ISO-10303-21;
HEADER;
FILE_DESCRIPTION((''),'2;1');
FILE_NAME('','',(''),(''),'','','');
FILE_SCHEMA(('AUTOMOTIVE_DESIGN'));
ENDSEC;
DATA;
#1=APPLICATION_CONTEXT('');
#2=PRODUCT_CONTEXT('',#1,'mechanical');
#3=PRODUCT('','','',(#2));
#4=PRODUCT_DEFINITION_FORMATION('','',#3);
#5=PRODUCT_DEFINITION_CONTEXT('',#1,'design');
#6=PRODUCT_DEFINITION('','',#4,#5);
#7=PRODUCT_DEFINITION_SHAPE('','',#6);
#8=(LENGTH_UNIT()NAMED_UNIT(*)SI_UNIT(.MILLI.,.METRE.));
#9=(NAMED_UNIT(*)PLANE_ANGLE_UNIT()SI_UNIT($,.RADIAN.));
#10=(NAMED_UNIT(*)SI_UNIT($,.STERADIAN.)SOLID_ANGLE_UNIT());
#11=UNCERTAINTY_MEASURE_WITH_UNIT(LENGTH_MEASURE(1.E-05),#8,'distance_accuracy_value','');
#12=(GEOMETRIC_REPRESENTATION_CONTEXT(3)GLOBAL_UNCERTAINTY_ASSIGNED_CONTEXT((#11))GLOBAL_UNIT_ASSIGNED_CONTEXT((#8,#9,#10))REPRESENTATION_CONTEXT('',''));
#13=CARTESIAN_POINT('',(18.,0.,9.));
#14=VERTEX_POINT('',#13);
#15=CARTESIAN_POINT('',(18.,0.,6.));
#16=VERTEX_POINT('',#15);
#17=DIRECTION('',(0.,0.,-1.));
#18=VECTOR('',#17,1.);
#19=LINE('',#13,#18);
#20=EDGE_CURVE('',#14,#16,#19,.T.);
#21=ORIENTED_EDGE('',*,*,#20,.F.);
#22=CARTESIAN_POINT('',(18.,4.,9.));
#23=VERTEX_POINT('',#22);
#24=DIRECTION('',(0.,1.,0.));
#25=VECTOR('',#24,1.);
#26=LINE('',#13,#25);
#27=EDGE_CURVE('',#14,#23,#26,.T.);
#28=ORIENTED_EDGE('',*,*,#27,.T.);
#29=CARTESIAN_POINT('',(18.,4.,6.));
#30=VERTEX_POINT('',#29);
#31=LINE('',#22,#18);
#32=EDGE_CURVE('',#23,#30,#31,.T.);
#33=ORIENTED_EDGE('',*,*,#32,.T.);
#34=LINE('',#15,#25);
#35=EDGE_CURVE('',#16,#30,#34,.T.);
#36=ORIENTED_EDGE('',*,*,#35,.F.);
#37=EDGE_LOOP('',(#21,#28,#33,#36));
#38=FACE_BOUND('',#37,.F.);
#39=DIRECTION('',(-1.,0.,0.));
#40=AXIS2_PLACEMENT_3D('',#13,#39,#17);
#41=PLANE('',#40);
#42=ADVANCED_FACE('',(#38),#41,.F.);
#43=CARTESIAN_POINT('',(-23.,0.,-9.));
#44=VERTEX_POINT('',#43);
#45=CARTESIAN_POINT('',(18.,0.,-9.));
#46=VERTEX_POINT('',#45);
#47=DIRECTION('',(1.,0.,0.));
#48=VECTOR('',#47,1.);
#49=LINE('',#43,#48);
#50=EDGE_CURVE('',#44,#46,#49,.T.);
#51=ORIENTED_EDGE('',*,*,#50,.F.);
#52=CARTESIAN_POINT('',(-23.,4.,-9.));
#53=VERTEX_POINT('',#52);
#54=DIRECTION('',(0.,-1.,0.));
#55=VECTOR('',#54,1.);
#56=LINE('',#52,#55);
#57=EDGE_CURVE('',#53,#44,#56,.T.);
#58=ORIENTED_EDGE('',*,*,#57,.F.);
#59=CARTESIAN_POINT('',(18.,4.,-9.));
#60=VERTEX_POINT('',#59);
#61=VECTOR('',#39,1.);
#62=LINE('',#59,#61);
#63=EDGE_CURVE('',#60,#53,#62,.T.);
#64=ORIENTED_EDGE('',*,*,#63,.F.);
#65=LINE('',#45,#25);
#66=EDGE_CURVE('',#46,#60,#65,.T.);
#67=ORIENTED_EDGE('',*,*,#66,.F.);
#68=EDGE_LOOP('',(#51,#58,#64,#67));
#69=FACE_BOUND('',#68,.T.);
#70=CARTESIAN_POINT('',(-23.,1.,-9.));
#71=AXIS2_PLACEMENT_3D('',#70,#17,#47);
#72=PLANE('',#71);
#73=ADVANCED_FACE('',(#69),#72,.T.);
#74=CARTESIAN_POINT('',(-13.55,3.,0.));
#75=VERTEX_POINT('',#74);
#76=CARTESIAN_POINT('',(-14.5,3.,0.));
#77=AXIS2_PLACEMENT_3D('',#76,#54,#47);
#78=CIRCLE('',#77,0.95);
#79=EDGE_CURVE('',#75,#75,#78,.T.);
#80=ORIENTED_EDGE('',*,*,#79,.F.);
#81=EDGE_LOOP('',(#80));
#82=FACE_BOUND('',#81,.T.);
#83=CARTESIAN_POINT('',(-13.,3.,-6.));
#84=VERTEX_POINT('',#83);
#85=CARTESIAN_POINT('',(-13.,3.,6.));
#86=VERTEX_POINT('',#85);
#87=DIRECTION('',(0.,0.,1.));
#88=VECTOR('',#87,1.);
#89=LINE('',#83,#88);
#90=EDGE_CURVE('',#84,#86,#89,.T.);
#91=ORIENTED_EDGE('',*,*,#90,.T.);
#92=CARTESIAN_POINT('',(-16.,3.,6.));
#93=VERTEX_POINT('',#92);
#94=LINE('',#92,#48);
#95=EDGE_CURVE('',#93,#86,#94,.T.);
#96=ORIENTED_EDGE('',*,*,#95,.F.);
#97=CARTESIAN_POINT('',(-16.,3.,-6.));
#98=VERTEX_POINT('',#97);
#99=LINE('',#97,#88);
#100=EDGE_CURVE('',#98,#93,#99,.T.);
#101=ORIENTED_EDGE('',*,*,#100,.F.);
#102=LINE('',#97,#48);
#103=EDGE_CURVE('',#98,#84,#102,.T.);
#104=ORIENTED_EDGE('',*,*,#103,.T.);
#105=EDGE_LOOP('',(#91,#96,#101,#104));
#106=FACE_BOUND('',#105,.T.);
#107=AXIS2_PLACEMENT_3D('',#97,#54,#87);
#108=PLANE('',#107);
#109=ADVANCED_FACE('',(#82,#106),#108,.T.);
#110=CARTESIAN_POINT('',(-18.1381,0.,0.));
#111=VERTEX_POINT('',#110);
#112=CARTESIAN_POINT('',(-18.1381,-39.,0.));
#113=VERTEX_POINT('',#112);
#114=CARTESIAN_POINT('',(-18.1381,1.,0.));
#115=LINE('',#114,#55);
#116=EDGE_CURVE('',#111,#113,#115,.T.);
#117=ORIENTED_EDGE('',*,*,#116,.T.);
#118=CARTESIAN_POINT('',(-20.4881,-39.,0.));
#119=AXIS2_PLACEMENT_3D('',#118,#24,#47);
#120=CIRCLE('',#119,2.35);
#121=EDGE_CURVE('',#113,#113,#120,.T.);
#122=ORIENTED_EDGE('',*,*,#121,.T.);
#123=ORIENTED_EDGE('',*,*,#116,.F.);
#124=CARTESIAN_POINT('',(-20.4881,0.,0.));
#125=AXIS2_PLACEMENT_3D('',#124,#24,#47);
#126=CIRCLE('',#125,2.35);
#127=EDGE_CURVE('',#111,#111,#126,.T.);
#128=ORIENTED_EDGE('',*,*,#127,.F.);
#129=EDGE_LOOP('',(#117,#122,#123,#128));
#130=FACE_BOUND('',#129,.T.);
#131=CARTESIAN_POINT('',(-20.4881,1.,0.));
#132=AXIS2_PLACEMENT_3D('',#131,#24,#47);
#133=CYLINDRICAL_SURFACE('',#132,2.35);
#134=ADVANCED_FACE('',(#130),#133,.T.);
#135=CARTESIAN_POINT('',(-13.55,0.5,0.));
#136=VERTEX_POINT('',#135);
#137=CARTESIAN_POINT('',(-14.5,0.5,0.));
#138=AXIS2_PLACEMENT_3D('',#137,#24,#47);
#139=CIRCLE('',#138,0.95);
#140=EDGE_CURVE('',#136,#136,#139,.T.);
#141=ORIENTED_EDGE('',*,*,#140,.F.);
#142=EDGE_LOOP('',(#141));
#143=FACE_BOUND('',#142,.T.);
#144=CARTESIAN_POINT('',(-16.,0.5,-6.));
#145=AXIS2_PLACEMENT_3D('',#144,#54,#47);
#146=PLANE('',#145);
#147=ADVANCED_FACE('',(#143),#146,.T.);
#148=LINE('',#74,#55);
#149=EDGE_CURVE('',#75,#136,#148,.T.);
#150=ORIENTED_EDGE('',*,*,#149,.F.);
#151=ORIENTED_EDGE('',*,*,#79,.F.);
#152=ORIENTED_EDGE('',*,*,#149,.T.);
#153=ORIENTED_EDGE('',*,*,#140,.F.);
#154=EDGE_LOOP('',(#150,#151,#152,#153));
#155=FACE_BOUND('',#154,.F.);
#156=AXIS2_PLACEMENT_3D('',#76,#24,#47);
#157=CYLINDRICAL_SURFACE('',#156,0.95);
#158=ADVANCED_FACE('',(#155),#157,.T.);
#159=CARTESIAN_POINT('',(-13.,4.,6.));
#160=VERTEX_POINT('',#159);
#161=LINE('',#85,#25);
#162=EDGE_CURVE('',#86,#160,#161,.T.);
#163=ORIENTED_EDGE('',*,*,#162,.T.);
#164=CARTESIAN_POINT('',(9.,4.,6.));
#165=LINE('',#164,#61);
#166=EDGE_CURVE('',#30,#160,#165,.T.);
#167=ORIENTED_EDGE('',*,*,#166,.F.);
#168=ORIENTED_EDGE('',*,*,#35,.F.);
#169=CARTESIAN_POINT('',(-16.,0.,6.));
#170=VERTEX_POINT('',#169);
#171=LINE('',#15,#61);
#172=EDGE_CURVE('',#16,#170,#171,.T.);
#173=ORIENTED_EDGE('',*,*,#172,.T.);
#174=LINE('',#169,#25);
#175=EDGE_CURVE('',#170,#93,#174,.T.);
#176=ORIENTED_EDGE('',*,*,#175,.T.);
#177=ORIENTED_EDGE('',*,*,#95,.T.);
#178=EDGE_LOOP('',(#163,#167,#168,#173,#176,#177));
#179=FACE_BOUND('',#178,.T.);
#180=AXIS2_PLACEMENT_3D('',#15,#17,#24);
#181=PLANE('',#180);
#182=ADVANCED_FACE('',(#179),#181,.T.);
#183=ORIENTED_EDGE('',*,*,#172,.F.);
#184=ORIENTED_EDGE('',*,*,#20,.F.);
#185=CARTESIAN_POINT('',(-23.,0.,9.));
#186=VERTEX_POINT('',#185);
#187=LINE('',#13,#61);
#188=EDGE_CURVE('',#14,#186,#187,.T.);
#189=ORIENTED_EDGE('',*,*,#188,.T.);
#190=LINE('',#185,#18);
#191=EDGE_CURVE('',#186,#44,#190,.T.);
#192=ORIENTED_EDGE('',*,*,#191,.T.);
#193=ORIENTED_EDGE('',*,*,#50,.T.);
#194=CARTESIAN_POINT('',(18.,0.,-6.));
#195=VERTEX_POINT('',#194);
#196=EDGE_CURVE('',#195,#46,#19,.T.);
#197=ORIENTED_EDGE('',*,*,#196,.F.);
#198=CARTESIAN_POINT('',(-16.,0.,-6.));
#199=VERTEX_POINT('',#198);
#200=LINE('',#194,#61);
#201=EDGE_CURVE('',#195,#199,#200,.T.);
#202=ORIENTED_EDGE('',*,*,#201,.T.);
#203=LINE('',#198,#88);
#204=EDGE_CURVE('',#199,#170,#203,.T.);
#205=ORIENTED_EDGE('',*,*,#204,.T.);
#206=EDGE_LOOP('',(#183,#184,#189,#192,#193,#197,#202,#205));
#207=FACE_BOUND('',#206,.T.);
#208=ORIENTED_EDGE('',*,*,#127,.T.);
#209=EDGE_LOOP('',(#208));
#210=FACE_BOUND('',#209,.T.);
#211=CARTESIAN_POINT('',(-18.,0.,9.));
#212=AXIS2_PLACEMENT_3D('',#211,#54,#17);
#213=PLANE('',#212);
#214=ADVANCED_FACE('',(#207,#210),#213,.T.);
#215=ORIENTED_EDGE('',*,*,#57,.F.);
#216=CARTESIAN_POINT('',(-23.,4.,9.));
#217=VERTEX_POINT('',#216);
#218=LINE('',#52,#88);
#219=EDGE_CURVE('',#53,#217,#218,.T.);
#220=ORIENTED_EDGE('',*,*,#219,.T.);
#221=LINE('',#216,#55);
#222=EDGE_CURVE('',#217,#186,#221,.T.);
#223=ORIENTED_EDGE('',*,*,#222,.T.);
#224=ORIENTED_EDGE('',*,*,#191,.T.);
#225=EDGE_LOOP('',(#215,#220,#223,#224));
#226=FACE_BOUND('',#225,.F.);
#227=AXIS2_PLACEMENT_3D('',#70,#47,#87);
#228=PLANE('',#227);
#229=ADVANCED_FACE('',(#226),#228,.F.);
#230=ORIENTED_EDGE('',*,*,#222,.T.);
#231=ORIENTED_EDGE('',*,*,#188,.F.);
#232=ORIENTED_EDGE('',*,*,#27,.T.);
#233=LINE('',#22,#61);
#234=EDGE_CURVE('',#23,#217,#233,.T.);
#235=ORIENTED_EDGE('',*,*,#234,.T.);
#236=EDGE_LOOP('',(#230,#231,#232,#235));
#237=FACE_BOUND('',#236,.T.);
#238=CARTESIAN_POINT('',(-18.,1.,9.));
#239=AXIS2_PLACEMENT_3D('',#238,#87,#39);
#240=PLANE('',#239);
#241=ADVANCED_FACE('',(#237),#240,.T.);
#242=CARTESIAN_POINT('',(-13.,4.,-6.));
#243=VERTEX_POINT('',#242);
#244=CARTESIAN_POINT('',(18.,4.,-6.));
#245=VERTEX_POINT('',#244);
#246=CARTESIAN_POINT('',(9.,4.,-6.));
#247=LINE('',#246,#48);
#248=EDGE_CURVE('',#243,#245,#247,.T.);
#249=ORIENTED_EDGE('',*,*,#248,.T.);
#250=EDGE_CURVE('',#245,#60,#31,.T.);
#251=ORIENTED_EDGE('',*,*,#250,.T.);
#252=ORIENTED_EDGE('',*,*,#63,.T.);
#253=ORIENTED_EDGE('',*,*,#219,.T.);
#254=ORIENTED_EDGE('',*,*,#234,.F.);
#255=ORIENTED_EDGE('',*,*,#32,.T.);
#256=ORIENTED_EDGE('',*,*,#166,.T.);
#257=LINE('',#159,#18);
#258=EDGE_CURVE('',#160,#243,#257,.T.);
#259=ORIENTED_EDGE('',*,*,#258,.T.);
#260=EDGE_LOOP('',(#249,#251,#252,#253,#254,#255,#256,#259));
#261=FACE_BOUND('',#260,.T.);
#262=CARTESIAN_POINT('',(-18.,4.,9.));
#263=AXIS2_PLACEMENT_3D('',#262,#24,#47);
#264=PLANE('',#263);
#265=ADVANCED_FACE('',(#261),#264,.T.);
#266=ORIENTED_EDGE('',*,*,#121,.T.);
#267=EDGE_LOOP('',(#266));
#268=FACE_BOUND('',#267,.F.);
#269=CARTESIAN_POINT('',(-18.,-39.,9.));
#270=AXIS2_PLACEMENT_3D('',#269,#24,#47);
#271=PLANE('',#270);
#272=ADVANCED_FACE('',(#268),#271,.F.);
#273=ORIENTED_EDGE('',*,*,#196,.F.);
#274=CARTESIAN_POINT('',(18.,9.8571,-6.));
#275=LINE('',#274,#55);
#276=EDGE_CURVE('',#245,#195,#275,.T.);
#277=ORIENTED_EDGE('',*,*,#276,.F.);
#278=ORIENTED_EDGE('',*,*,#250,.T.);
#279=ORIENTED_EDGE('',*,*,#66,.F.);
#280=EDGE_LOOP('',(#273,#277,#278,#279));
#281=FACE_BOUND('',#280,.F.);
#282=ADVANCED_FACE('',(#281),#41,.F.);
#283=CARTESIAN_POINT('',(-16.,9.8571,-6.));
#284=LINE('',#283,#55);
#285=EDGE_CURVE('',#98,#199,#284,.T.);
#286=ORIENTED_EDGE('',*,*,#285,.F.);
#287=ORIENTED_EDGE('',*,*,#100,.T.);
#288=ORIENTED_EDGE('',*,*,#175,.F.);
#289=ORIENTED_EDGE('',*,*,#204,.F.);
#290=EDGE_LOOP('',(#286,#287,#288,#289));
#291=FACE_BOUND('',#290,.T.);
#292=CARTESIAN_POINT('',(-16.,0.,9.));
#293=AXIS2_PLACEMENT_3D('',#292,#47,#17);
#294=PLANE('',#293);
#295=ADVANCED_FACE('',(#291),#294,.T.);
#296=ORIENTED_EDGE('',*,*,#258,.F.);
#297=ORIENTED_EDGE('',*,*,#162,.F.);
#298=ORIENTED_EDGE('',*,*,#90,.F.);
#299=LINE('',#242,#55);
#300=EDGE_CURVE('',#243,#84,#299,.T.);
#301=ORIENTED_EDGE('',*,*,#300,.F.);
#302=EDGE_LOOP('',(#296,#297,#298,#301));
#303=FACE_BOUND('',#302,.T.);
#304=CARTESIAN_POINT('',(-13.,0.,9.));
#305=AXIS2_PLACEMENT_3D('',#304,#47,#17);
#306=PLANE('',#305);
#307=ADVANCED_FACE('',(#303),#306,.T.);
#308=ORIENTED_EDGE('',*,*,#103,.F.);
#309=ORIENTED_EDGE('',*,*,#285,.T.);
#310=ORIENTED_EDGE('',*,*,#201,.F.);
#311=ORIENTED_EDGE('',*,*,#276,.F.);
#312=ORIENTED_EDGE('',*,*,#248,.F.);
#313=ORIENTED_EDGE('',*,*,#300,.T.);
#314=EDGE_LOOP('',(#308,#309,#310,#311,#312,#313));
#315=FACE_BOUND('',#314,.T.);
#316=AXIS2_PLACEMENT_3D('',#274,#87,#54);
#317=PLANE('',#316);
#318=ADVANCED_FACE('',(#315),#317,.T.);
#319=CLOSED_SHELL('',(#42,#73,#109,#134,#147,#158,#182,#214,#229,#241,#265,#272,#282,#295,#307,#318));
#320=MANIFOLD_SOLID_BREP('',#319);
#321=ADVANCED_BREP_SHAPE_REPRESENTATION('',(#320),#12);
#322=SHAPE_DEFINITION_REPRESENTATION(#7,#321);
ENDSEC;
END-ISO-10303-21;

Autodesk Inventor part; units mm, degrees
ref_plane "YZ Plane" through (0, 0, 0) normal (1, 0, 0) x (0, 1, 0)
ref_plane "XZ Plane" through (0, 0, 0) normal (0, 1, 0) x (-1, 0, 0)
ref_plane "XY Plane" through (0, 0, 0) normal (0, 0, 1) x (1, 0, 0)
sketch "Sketch1" plane through (0, 0, 0) normal (0, 1, 0) x (-1, 0, 0)
  line L0 (18, 9) -> (-18, 9)
  line L1 (-18, 9) -> (-18, -9)
  line L2 (-18, -9) -> (18, -9)
  line L3 (18, -9) -> (18, 9)
  line L4 (18, 9) -> (-18, -9) construction
  line L5 (-18, 9) -> (18, -9) construction
  point P0 (0, 0)
  dimension "d0" = 18
  dimension "d1" = 36
extrude "Extrusion1" add sketch "Sketch1" along normal blind 4
sketch "Sketch2" plane through (18, 0, 9) normal (1, 0, 0) x (0, 0, -1)
  line L0 (3, 9.8571) -> (15, 9.8571)
  line L1 (15, 9.8571) -> (15, 0)
  line L2 (15, 0) -> (3, 0)
  line L3 (3, 0) -> (3, 9.8571)
  line L4 (0.7991, 7.2165) -> (12.7991, -2.6406) construction
  line L5 (12.7991, 7.2165) -> (0.7991, -2.6406) construction
  line L6 (9, 0) -> (9, 4.0958)
  line L7 (9, 0) -> (15, 0)
  line L8 (0, 0) -> (18, 0) projected
  point P0 (6.7991, 2.2879)
  dimension "d4" = 12
  dimension "d22" = 6
extrude "Extrusion2" cut sketch "Sketch2" against normal blind 34
sketch "Sketch3" plane through (-16, 0, 9) normal (1, 0, 0) x (0, 0, -1)
  line L0 (3, 4) -> (15, 4) projected
  line L1 (15, 4) -> (15, 0) projected
  line L2 (3, 4) -> (15, 4)
  line L3 (15, 4) -> (15, 3)
  line L4 (15, 3) -> (3, 3)
  line L5 (3, 3) -> (3, 4)
  point P0 (9, 0)
  dimension "d7" = 1
extrude "Extrusion3" add sketch "Sketch3" along normal blind 3
sketch "Sketch4" plane through (-16, 3, -6) normal (0, -1, 0) x (1, 0, 0)
  line L0 (0, 12) -> (3, 12) projected
  line L1 (1.5, 12) -> (1.5, 0)
  line L2 (3, 0) -> (0, 0) projected
  line L3 (3, 0) -> (3, 12) projected
  line L4 (3, 6) -> (0, 6)
  line L5 (0, 0) -> (0, 12) projected
  circle A0 centre (1.5, 6) radius 0.95
  point P0 (16, 6)
  dimension "d10" = 1.9
extrude "Extrusion4" add sketch "Sketch4" along normal blind 2.5 contours A0 L4 L1 | L1 L4 A0 | L4 L1 A0 | L4 A0 L1
sketch "Sketch5" plane through (-18, 0, -9) normal (-1, 0, 0) x (0, 0, 1)
  line L0 (18, 0) -> (15, 0) projected
  line L1 (0, 0) -> (0, 4) projected
  line L2 (18, 0) -> (0, 0)
  line L3 (0, 0) -> (0, 1)
  line L4 (0, 1) -> (18, 1)
  line L5 (18, 1) -> (18, 0)
  point P0 (9, 0)
  dimension "d13" = 1
extrude "Extrusion5" add sketch "Sketch5" along normal blind 5
sketch "Sketch6" plane through (-18, 1, 9) normal (0, 1, 0) x (1, 0, 0)
  line L0 (0, 18) -> (0, 0) projected
  circle A0 centre (-2.4881, 9) radius 2.35
  line L1 (36, 18) -> (-5, 18) projected
  line L2 (-5, 18) -> (0, 18)
  line L3 (-2.5, 18) -> (-2.5, 0)
  line L4 (-5, 0) -> (-5, 18) projected
  line L5 (-5, 9) -> (0, 9)
  point P0 (18, 9)
  dimension "d17" = 4.7
extrude "Extrusion6" add sketch "Sketch6" against normal blind 40 contours L5 L3 A0 | A0 L3 L5 | L3 L5 A0 | A0 L5 L3
sketch "Sketch7" plane through (-18, 1, 9) normal (0, 1, 0) x (1, 0, 0)
  line L0 (0, 0) -> (-5, 0) projected
  line L1 (-5, 18) -> (-5, 0) projected
  line L2 (0, 0) -> (-5, 0)
  line L3 (-5, 0) -> (-5, 18)
  line L4 (-5, 18) -> (0, 18)
  line L5 (0, 18) -> (0, 0)
  point P0 (18, 9)
extrude "Extrusion7" add sketch "Sketch7" along normal blind 3
properties part number "ServoHållare"
